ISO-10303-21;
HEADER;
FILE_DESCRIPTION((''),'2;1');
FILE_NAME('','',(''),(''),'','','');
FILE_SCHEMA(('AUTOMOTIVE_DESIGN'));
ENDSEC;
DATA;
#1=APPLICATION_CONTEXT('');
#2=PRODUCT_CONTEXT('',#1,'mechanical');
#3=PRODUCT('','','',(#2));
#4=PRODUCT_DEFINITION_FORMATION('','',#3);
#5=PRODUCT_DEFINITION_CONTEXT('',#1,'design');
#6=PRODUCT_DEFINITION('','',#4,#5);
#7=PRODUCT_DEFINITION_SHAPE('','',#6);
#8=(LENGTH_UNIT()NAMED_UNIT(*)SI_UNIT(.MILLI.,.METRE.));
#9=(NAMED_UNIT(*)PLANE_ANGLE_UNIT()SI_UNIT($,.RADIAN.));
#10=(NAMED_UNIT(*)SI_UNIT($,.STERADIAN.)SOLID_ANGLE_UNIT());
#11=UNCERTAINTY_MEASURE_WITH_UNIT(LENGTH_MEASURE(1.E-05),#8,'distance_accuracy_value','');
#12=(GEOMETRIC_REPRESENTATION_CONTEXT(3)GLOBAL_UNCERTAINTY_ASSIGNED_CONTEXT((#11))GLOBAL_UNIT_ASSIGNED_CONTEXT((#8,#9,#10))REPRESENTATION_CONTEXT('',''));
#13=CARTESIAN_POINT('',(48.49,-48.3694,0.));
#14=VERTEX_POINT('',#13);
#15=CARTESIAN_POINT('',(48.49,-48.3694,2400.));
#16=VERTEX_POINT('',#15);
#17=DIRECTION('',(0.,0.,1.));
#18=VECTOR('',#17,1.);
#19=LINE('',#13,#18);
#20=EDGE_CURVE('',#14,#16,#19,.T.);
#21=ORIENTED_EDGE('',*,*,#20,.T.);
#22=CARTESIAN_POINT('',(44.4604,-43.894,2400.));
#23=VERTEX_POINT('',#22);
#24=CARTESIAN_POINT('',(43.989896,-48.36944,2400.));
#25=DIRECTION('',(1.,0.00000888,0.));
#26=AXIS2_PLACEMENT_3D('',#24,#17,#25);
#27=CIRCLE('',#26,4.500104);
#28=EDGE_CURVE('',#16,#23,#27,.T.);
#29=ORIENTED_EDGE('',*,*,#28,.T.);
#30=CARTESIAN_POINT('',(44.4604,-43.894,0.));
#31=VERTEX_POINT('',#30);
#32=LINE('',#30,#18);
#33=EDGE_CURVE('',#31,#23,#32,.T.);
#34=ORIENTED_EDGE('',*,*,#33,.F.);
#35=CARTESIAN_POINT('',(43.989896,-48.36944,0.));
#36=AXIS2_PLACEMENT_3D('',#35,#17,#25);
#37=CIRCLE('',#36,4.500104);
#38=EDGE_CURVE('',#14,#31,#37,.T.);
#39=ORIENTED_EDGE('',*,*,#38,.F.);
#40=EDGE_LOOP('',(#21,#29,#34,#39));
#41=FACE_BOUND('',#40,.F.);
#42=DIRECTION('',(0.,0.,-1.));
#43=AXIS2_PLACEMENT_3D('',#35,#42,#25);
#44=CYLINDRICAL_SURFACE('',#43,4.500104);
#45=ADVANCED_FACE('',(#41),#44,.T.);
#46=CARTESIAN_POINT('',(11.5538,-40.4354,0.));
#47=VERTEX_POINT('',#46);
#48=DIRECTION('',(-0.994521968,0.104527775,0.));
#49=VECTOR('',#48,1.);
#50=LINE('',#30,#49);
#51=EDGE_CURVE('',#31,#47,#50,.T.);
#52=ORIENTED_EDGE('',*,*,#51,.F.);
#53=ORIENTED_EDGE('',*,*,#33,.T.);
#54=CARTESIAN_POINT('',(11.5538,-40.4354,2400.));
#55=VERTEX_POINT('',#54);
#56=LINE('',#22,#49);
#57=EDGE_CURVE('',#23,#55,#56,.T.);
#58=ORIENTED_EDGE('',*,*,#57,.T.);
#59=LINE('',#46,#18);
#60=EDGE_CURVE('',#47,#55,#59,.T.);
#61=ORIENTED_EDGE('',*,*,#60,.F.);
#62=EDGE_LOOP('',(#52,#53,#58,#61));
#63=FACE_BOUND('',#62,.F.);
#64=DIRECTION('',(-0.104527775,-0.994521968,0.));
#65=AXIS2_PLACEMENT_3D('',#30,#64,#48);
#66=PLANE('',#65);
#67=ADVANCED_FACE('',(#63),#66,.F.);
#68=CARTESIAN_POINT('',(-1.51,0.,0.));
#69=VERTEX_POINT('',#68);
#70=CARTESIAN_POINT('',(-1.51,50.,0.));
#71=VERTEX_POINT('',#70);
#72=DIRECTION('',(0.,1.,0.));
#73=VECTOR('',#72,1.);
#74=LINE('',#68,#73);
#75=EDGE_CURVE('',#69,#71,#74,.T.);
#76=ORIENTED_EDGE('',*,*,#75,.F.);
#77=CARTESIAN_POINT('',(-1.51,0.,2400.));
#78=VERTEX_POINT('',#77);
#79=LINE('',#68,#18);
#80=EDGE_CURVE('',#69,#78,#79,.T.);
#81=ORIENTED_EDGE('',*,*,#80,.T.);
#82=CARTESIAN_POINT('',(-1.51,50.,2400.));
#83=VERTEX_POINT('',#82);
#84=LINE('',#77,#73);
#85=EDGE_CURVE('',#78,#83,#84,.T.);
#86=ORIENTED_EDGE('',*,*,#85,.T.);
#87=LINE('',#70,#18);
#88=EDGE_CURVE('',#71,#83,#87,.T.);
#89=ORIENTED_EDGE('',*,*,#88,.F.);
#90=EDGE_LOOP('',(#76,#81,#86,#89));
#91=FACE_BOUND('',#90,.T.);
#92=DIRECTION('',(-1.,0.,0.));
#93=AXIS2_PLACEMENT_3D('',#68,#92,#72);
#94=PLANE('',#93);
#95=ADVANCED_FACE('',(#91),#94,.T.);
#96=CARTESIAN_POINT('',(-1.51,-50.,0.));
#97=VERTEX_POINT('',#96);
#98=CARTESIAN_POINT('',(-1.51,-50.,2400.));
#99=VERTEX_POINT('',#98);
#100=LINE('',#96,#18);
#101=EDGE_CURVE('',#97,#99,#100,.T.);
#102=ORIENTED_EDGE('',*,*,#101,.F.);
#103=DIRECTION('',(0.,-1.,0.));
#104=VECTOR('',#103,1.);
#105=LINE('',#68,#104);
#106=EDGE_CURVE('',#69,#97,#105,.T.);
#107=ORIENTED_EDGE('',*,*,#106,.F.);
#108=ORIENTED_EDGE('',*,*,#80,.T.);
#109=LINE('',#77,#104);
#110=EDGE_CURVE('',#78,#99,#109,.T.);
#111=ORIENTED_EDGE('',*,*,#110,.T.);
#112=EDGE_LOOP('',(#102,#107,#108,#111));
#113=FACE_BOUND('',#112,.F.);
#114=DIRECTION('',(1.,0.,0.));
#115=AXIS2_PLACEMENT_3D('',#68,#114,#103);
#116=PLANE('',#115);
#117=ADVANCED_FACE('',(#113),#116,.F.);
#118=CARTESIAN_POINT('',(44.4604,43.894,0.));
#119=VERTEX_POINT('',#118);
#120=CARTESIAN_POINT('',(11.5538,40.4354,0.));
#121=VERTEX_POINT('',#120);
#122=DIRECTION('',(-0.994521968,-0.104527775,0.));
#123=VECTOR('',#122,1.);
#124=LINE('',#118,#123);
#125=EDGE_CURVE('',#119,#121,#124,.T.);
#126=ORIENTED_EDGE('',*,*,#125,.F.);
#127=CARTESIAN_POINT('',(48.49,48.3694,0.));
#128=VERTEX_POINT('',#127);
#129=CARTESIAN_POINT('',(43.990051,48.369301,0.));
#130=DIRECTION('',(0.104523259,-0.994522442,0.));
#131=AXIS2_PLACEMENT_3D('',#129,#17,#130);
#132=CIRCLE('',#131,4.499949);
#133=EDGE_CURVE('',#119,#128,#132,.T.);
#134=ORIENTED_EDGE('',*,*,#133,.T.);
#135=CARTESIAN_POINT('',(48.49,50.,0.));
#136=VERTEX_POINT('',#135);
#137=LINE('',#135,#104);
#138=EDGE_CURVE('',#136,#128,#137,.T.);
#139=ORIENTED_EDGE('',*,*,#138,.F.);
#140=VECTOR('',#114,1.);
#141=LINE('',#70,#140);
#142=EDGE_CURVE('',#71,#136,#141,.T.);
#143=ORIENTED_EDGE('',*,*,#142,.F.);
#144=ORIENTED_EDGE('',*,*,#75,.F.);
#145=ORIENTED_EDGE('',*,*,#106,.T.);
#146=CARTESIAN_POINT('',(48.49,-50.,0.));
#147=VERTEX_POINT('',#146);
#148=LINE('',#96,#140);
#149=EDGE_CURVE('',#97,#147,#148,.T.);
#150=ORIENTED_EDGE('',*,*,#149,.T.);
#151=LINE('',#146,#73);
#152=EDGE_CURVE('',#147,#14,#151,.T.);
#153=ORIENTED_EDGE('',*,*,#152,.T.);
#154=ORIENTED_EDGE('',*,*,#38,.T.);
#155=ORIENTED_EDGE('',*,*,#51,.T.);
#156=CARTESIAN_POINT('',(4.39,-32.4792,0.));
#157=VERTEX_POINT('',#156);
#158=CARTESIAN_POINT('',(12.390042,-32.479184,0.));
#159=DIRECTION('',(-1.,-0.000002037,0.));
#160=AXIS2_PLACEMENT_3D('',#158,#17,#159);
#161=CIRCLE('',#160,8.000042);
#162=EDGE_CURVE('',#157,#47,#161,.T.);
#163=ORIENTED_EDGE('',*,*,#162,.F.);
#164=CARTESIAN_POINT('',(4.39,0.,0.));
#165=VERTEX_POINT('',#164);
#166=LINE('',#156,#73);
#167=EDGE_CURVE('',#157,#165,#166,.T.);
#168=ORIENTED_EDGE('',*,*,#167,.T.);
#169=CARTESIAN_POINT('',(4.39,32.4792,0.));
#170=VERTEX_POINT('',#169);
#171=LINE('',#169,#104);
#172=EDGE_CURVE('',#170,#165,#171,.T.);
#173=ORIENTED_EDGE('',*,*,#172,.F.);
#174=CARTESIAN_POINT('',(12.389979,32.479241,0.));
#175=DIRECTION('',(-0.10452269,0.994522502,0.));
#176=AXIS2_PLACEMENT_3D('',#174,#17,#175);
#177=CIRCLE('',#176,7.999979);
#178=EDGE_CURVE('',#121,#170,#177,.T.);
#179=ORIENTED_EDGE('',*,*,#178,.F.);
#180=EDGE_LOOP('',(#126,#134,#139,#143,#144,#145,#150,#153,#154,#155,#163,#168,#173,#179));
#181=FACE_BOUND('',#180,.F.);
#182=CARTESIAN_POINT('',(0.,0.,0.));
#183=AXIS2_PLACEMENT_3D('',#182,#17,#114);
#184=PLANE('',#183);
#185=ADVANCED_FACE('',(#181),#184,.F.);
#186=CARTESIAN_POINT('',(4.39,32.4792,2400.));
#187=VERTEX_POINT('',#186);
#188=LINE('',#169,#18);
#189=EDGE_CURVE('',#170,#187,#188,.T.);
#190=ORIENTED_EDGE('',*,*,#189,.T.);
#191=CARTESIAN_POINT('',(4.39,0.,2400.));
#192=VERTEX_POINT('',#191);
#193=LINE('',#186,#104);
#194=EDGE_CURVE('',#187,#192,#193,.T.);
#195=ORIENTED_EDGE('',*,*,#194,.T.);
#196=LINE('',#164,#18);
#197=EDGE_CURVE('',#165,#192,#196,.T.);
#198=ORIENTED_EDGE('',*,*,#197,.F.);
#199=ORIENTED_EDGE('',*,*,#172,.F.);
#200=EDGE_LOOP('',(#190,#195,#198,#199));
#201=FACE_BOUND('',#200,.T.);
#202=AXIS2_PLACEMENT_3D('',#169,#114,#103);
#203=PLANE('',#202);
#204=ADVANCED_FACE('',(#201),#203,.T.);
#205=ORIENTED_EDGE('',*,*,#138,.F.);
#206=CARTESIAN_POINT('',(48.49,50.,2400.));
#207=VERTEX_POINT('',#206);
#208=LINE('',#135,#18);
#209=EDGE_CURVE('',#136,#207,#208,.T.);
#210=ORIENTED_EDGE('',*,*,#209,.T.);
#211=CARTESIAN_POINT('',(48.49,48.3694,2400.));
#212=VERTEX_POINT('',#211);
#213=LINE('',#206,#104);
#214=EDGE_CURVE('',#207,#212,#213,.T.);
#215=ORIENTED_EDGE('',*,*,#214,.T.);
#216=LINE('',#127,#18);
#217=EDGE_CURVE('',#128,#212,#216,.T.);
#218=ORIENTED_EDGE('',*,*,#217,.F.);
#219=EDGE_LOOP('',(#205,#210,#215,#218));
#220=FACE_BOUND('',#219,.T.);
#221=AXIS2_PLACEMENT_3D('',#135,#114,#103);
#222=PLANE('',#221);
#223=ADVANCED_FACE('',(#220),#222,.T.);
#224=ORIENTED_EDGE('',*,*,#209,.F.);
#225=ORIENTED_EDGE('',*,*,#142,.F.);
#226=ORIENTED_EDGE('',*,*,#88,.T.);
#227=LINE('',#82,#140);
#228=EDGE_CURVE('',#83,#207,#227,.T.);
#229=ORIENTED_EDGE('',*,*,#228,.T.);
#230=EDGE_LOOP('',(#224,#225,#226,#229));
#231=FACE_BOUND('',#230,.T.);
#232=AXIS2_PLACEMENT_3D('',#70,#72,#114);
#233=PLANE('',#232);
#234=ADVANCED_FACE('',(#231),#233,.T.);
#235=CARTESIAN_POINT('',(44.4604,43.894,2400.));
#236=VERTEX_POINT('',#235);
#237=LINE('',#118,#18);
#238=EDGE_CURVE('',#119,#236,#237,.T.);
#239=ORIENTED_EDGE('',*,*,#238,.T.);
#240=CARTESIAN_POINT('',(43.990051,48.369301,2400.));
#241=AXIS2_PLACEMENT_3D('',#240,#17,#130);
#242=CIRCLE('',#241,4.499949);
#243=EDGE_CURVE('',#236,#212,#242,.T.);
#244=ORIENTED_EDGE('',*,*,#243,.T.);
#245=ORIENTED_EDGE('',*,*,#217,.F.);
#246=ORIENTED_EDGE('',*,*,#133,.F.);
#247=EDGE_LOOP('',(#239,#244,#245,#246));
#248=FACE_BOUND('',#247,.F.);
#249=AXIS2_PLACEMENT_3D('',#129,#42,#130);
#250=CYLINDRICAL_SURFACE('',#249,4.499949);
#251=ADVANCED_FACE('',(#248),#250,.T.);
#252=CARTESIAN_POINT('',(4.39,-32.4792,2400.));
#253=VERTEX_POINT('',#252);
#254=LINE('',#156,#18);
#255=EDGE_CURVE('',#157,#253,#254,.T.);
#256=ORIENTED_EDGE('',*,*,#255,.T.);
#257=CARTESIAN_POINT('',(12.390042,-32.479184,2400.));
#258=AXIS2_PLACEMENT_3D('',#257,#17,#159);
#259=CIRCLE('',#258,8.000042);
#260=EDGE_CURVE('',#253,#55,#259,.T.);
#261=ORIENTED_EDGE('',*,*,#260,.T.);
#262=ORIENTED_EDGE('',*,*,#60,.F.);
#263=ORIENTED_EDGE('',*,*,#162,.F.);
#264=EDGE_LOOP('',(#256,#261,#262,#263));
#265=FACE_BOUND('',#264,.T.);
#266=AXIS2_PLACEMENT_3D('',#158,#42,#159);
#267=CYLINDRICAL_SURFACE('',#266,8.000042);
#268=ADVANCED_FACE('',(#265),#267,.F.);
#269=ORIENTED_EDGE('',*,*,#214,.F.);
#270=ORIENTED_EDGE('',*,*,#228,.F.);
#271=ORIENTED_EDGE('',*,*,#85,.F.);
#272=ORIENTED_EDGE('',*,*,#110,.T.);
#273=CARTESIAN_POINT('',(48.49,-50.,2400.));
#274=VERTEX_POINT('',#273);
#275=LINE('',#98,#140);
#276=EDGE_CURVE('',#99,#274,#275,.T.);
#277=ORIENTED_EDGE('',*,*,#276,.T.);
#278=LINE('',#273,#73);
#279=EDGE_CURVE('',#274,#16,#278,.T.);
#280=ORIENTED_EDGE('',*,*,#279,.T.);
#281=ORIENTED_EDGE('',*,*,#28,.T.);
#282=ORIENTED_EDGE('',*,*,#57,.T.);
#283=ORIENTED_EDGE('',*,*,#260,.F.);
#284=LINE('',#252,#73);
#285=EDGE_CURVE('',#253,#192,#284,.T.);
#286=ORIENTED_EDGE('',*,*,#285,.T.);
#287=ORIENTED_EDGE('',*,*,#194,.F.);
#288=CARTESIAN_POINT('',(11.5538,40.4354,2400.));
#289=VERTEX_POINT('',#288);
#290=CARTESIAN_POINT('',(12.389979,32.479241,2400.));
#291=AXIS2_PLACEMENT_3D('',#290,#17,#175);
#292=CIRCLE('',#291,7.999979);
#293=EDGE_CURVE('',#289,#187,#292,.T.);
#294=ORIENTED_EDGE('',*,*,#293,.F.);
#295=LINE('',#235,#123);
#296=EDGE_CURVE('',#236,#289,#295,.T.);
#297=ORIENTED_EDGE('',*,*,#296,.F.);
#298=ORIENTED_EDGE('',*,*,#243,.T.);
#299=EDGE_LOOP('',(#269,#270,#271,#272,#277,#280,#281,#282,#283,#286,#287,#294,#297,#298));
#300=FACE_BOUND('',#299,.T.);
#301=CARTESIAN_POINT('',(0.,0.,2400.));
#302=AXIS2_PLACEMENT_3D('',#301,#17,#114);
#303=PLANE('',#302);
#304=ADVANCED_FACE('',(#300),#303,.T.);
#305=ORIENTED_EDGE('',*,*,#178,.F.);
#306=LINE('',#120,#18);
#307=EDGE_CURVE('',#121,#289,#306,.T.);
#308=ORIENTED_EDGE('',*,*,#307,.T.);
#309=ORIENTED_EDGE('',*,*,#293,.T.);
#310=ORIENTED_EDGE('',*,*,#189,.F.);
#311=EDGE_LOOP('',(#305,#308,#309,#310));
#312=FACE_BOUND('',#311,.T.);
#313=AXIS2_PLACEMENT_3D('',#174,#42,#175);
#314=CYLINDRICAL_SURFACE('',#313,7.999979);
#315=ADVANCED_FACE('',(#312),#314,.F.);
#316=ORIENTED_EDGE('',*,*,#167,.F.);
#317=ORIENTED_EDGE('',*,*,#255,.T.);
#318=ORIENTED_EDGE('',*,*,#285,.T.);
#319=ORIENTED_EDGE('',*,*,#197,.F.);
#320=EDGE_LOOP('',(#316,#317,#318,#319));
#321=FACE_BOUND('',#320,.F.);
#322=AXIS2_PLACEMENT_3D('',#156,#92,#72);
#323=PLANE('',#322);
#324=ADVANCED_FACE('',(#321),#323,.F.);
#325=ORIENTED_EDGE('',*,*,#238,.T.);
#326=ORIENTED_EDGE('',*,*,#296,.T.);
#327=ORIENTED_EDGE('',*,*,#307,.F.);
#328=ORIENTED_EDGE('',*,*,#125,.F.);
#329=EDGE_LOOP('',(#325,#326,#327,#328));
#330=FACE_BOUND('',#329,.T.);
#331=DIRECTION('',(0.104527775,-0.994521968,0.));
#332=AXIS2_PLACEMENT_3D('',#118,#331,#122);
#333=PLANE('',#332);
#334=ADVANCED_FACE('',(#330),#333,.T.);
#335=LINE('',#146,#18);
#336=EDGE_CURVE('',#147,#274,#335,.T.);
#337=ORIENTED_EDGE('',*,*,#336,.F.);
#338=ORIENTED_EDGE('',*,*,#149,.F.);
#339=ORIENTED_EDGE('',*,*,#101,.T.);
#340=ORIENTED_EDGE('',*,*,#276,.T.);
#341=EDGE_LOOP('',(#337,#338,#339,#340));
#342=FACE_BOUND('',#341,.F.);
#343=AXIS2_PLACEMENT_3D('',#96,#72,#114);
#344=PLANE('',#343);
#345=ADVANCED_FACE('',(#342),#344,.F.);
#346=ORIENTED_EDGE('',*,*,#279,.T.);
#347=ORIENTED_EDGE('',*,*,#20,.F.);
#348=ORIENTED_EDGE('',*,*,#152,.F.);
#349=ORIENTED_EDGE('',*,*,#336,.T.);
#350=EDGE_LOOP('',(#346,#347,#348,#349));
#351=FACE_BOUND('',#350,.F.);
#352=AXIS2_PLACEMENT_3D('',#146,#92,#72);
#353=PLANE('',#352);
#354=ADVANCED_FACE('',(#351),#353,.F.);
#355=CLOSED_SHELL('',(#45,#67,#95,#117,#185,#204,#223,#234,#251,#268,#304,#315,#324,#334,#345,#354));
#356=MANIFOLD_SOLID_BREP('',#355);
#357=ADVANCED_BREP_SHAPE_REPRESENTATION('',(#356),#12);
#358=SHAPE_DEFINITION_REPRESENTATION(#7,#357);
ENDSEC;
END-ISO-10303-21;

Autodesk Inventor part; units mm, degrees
ref_plane "YZ Plane" through (0, 0, 0) normal (1, 0, 0) x (0, 1, 0)
ref_plane "Start Plane" through (0, 0, 0) normal (0, 0, 1) x (1, 0, 0)
ref_plane "End Plane" through (0, 0, 2400) normal (0, 0, 1) x (1, 0, 0)
sketch "Sketch" plane through (0, 0, 0) normal (0, 0, 1) x (1, 0, 0)
  line L0 (-1.51, 0) -> (-1.51, 50)
  line L1 (-1.51, 50) -> (48.49, 50)
  line L2 (48.49, 50) -> (48.49, 48.3694)
  line L3 (44.4604, 43.894) -> (11.5538, 40.4354)
  line L4 (4.39, 32.4792) -> (4.39, 0)
  line L5 (4.39, 0) -> (-1.51, 0) construction
  line L6 (26.44, 50) -> (26.44, 42) construction
  line L7 (48.49, 44.3175) -> (48.49, 42) construction
  line L8 (48.49, 42) -> (26.44, 42) construction
  line L9 (0, 15) -> (0, -27) construction
  line L10 (-5.539, 0) -> (16.0067, 0) construction
  line L11 (-1.51, 0) -> (-1.51, -50)
  line L12 (-1.51, -50) -> (48.49, -50)
  line L13 (48.49, -50) -> (48.49, -48.3694)
  line L14 (44.4604, -43.894) -> (11.5538, -40.4354)
  line L15 (4.39, -32.4792) -> (4.39, 0)
  arc A0 (11.5538, 40.4354) -> (4.39, 32.4792) centre (12.39, 32.4792) ccw
  arc A1 (4.39, -32.4792) -> (11.5538, -40.4354) centre (12.39, -32.4792) ccw
  arc A2 (44.4604, 43.894) -> (48.49, 48.3694) centre (43.99, 48.3694) ccw
  arc A3 (48.49, -48.3694) -> (44.4604, -43.894) centre (43.99, -48.3694) ccw
  line L16 (0, 70) -> (0, -70) construction
  line L17 (-16.5166, 0) -> (60.3266, 0) construction
  point P0 (4.39, 39.6825)
  point P1 (48.49, -44.3175)
  point P2 (4.39, -39.6825)
  point P3 (26.44, -50)
  point P4 (26.44, -42)
  dimension "d0" = 5.9
  dimension "d1" = 50
  dimension "d2" = 50
  dimension "d3" = 8
  dimension "d4" = 22.05
  dimension "d5" = 2.3175
  dimension "d23" = 8
  dimension "d24" = 4.5
  dimension "d25" = 1.51
extrude "Body" add sketch "Sketch" along normal up to surface (2400 mm away) from surface at 0
sketch "Sketch3" plane through (0, 0, 0) normal (0, 0, 1) x (1, 0, 0)
  line L0 (0, 0) -> (10, 0)
ref_plane "Work Plane3" through (0, 0, 0) normal (0, -1, 0) x (1, 0, 0)
sketch "Sketch4" plane through (0, 0, 0) normal (0, -1, 0) x (1, 0, 0)
  line L0 (-2, 0) -> (12, 0) projected
  line L1 (-2, 2400) -> (12, 2400) projected
  dimension "d29" = 2400
equation "\"d0\" = G_T"
equation "\"d1\" = 0.5 * G_H"
equation "\"d2\" = G_W"
equation "\"d3\" = G_T1"
equation "\"d4\" = G_C"
equation "\"d23\" = G_IR"
equation "\"d24\" = G_ER"
equation "\"d25\" = ex"
equation "\"d6\" = G_L"
equation "\"G_W\" = 50"
equation "\"G_H\" = 100"
equation "\"G_T\" = 5.9"
equation "\"G_T1\" = 8"
equation "\"G_NG\" = 0.105104"
equation "\"G_ER\" = 4.5"
equation "\"G_IR\" = 8"
equation "\"G_C\" = 22.05"
equation "\"G_L\" = d29"
equation "\"ex\" = 1.51"
equation "\"G_OFFSET_START\" = 0"
equation "\"G_OFFSET_END\" = 0"
properties part number "ISO 657/11 - CH 100 x 10 - 2400" material "Steel, Mild"
